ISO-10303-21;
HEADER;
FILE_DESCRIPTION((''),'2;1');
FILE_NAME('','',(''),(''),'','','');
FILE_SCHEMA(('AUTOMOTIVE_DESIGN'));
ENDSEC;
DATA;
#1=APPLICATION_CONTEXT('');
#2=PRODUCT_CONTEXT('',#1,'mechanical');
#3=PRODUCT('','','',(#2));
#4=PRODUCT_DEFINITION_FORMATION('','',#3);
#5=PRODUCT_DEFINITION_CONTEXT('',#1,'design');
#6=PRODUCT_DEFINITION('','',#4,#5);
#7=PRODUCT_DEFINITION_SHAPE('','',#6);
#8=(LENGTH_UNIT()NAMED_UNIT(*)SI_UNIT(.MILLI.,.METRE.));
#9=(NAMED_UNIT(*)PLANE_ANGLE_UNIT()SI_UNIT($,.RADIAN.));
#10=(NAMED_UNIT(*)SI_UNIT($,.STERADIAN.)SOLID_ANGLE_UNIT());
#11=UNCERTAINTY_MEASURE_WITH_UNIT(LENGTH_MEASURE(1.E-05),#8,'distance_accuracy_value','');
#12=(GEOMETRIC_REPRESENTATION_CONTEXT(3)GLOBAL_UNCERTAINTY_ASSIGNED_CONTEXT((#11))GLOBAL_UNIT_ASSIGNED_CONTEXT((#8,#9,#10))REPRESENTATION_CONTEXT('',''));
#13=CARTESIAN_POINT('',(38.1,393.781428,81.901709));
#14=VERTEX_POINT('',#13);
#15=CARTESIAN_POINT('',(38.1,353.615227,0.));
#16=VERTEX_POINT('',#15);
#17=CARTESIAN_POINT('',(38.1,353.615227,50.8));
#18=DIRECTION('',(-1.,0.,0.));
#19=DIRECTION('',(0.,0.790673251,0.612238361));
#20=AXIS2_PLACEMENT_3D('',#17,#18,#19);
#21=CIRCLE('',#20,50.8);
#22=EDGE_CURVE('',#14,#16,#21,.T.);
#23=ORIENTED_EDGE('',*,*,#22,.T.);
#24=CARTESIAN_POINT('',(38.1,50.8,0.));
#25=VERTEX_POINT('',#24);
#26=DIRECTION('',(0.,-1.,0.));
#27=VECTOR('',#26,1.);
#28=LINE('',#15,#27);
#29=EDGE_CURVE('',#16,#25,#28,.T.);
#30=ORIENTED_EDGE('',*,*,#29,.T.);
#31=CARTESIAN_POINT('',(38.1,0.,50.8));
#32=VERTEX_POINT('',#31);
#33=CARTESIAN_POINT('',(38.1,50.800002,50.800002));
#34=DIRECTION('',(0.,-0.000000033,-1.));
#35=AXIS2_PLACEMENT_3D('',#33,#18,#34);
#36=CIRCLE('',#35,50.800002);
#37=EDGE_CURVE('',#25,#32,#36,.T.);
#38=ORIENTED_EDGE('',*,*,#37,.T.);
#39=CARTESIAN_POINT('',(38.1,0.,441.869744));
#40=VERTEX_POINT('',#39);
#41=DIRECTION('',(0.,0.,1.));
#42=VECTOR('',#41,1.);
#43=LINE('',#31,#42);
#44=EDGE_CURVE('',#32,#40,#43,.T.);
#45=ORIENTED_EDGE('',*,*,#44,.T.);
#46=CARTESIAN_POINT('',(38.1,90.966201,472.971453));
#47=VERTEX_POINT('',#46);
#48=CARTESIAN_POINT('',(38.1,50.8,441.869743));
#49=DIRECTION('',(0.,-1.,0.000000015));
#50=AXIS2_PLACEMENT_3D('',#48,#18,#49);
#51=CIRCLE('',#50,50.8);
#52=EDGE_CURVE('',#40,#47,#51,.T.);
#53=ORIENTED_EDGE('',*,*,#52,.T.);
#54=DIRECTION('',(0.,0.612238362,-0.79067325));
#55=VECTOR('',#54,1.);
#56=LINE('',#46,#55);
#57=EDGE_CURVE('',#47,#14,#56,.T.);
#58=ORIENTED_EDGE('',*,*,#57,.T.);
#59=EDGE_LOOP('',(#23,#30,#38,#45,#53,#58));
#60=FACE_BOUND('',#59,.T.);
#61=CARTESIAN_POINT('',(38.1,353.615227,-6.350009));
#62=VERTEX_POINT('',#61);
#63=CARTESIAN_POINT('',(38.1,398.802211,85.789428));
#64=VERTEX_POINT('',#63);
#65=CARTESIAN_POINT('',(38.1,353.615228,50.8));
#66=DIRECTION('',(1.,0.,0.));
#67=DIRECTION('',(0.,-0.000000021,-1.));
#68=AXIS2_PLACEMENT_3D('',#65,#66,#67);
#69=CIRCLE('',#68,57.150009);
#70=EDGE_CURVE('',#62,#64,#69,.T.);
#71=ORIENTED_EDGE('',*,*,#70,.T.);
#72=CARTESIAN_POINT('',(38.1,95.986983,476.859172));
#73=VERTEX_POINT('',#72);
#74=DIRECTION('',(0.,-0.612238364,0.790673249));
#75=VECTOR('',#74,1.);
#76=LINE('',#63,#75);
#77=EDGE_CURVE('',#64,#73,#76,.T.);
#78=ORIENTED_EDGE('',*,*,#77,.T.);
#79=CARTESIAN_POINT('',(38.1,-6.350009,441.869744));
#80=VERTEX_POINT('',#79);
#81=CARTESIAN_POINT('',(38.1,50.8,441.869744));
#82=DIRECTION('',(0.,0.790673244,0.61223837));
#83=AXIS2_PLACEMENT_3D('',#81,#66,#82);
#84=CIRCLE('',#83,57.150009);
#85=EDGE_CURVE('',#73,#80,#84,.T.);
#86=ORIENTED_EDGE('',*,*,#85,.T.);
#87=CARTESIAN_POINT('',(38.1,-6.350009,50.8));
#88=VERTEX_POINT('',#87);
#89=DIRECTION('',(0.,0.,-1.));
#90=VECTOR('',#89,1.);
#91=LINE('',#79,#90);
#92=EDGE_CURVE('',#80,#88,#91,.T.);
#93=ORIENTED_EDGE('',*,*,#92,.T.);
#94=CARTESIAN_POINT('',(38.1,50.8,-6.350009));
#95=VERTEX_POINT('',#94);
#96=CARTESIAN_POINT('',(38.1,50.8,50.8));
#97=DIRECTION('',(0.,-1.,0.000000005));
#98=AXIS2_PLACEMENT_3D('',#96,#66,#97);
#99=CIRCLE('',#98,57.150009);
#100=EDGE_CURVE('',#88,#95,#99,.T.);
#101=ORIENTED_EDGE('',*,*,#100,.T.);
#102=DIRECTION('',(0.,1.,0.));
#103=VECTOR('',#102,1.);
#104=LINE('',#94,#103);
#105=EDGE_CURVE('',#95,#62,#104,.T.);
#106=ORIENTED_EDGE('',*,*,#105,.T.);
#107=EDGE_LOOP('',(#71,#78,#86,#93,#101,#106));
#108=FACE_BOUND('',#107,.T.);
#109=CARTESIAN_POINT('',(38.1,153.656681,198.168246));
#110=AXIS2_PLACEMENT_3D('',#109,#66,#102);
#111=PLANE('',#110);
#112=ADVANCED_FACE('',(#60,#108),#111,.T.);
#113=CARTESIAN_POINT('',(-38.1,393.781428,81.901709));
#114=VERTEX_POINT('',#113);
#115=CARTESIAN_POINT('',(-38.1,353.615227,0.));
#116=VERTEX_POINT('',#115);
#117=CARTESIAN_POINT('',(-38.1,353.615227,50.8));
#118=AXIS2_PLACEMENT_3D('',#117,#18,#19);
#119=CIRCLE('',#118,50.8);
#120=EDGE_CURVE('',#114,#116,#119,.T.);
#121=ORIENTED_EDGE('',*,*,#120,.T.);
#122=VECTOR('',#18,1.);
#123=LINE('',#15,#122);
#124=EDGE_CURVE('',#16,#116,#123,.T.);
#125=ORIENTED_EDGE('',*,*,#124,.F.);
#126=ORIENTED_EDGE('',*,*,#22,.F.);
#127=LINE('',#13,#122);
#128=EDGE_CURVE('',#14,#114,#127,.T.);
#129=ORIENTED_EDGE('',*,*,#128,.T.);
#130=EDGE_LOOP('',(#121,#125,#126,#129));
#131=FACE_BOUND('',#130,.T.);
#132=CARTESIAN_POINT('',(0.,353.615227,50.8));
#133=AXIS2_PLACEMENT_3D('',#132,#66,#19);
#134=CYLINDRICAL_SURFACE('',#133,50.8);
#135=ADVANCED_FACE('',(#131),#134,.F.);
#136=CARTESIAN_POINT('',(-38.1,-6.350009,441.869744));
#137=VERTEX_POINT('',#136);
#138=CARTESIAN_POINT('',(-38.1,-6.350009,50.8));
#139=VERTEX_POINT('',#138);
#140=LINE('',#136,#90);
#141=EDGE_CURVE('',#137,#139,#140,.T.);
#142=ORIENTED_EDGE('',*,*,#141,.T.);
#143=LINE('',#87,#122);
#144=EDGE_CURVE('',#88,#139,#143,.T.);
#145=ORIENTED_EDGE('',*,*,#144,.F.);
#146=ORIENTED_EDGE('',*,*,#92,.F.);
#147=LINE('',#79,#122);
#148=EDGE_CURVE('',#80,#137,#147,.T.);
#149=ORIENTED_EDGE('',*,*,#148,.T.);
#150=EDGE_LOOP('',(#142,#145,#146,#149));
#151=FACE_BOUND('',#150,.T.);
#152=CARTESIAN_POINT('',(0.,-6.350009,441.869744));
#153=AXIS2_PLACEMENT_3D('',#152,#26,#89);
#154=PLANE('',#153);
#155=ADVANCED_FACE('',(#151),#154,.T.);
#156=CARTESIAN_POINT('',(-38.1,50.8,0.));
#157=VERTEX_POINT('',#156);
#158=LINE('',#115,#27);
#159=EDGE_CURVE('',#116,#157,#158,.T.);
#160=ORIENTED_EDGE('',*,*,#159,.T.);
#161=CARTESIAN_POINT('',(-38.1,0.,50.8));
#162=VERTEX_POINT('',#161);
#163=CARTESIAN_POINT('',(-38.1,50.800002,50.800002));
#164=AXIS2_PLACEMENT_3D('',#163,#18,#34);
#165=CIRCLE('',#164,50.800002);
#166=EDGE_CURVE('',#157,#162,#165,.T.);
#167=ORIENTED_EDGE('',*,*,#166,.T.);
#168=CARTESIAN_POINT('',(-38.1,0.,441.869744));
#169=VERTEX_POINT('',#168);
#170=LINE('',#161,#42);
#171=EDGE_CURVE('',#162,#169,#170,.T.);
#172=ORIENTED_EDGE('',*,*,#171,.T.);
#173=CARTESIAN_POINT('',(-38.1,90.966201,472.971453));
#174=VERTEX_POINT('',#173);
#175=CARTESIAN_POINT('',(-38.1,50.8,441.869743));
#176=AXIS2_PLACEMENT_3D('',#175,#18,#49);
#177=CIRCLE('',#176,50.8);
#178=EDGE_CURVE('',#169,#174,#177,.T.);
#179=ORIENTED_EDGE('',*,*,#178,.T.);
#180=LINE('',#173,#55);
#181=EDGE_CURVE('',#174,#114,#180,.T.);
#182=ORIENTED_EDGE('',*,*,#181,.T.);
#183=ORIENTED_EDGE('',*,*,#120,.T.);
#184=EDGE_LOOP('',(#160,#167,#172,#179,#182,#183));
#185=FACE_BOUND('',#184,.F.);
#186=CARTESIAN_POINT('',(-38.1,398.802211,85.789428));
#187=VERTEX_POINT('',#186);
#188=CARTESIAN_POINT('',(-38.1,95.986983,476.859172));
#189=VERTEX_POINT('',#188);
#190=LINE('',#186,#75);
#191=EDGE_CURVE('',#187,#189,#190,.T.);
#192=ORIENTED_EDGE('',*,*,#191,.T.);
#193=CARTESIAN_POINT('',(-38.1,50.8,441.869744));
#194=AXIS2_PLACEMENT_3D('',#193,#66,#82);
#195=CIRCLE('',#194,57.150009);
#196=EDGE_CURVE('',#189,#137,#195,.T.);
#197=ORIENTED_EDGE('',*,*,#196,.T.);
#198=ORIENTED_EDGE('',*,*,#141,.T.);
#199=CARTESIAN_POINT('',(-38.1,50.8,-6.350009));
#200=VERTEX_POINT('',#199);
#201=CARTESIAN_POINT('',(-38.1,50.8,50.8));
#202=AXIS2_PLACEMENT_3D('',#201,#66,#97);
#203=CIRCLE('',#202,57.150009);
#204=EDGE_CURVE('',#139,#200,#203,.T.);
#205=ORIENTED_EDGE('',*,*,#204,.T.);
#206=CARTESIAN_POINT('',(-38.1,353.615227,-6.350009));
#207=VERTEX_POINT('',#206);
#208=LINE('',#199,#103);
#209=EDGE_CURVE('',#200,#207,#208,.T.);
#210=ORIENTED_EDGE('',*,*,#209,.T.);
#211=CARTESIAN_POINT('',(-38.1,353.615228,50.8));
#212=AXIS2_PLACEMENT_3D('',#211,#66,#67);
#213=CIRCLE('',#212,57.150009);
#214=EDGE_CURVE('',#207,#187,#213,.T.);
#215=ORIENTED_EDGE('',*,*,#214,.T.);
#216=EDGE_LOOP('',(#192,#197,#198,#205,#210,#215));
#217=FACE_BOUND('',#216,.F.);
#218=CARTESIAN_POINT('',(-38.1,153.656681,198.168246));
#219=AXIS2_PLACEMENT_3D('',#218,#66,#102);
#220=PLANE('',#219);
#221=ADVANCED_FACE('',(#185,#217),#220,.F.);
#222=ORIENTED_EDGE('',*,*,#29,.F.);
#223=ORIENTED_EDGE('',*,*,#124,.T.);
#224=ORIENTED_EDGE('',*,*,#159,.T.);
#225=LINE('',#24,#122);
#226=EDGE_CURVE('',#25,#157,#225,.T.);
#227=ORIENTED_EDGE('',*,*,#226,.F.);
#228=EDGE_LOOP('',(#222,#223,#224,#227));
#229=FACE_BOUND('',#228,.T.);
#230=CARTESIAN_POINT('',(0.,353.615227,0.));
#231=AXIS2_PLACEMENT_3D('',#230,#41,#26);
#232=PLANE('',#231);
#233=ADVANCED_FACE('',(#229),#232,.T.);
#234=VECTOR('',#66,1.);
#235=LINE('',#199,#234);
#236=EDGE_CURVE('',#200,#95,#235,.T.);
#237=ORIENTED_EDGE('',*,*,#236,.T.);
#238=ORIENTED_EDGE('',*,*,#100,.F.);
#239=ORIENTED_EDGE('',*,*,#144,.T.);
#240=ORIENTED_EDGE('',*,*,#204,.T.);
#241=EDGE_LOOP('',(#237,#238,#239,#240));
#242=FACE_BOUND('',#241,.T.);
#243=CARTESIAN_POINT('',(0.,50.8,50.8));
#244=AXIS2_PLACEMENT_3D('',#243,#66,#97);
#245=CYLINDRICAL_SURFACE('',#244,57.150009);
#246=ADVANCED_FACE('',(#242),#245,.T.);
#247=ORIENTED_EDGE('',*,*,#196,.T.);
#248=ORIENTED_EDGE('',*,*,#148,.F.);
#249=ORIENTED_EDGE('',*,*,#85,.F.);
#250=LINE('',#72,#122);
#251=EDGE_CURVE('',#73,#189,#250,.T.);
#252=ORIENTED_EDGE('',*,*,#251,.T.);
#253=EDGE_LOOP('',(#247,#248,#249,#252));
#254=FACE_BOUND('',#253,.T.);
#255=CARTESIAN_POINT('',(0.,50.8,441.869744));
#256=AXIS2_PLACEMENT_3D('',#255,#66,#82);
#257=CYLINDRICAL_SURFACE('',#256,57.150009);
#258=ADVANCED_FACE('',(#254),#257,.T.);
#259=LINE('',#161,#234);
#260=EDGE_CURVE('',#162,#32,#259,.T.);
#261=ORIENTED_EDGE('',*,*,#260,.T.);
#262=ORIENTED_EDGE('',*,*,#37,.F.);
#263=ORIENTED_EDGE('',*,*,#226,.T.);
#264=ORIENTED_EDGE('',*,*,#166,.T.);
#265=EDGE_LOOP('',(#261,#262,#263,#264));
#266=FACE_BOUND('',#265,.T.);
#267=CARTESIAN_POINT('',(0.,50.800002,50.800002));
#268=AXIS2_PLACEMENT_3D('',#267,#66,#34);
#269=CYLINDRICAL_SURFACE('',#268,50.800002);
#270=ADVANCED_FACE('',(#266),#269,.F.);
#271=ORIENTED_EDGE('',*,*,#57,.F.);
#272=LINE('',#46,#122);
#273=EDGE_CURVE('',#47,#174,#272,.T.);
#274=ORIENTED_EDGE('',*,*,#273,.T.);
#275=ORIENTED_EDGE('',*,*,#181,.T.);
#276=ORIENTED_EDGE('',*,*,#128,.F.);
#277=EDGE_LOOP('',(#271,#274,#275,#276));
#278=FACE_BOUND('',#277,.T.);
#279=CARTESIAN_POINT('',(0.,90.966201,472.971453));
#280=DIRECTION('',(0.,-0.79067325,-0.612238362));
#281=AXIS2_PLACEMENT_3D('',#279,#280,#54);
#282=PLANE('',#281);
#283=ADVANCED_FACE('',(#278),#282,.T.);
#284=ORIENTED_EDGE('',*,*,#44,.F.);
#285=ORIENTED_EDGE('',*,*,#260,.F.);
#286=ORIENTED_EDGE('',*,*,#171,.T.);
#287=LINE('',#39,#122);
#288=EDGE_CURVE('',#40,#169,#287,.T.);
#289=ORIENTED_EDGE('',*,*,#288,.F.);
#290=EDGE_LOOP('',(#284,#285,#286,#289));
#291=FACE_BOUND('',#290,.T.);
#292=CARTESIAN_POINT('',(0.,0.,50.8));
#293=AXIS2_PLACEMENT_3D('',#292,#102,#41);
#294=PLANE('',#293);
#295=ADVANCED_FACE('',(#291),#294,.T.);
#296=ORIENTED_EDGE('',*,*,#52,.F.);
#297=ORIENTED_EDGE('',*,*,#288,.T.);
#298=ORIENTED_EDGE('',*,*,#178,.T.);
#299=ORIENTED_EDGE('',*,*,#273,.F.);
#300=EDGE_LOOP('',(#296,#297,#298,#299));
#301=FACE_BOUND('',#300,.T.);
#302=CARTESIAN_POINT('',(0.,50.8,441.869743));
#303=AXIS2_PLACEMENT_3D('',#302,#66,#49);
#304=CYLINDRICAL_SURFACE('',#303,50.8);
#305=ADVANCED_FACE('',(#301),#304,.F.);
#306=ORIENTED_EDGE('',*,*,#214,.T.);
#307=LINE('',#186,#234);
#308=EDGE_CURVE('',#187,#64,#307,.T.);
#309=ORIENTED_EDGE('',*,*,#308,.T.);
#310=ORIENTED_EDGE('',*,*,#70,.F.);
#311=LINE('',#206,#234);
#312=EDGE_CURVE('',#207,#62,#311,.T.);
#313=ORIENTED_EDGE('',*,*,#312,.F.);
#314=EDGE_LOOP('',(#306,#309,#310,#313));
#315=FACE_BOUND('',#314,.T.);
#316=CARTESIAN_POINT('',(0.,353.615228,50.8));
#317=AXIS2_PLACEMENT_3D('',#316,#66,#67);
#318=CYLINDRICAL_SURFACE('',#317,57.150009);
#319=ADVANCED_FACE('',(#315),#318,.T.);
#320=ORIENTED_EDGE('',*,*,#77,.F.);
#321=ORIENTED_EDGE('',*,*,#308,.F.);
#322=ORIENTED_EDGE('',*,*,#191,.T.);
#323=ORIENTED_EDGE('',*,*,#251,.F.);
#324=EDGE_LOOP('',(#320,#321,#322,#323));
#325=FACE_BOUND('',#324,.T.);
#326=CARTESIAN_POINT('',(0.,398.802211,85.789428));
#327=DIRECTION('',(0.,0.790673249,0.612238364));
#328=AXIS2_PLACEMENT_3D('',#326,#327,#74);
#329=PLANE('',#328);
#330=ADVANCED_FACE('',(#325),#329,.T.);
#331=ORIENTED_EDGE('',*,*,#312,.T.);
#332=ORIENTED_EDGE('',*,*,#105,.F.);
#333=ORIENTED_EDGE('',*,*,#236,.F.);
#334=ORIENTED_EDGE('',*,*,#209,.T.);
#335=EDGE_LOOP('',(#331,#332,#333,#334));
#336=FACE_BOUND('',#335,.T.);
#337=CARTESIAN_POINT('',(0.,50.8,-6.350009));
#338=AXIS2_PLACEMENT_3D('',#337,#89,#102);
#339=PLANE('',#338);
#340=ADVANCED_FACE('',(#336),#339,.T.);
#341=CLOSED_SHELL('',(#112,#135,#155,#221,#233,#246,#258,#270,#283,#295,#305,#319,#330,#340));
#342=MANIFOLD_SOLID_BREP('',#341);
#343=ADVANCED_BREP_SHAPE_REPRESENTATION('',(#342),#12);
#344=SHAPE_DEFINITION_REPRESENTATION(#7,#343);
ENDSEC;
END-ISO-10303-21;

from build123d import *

# Parameters (mm, degrees)
F1_DEPTH = 38.1


with BuildPart() as f1:
    # F0 (on Right) → F1 (new body, symmetric)
    with BuildSketch(Plane.YZ):
        with BuildLine():
            ThreePointArc((-6.350009, 50.8), (10.388841, 10.388841), (50.8, -6.350009))
            Line((50.8, -6.350009), (353.615227, -6.350009))
            ThreePointArc((353.615227, -6.350009), (404.926872, 25.635765), (398.802211, 85.789428))
            Line((398.802211, 85.789428), (95.986983, 476.859172))
            ThreePointArc((95.986983, 476.859172), (32.310989, 495.946356), (-6.350009, 441.869744))
            Line((-6.350009, 441.869744), (-6.350009, 50.8))
        make_face()
        with BuildLine():
            Line((0, 50.8), (0, 441.869744))
            ThreePointArc((0, 441.869744), (34.365327, 489.937836), (90.966201, 472.971453))
            Line((90.966201, 472.971453), (393.781428, 81.901709))
            ThreePointArc((393.781428, 81.901709), (399.22557, 28.431795), (353.615227, 0))
            Line((353.615227, 0), (50.8, 0))
            ThreePointArc((50.8, 0), (14.878976, 14.878976), (0, 50.8))
        make_face(mode=Mode.SUBTRACT)
    extrude(amount=F1_DEPTH, both=True)


solid = f1.part
